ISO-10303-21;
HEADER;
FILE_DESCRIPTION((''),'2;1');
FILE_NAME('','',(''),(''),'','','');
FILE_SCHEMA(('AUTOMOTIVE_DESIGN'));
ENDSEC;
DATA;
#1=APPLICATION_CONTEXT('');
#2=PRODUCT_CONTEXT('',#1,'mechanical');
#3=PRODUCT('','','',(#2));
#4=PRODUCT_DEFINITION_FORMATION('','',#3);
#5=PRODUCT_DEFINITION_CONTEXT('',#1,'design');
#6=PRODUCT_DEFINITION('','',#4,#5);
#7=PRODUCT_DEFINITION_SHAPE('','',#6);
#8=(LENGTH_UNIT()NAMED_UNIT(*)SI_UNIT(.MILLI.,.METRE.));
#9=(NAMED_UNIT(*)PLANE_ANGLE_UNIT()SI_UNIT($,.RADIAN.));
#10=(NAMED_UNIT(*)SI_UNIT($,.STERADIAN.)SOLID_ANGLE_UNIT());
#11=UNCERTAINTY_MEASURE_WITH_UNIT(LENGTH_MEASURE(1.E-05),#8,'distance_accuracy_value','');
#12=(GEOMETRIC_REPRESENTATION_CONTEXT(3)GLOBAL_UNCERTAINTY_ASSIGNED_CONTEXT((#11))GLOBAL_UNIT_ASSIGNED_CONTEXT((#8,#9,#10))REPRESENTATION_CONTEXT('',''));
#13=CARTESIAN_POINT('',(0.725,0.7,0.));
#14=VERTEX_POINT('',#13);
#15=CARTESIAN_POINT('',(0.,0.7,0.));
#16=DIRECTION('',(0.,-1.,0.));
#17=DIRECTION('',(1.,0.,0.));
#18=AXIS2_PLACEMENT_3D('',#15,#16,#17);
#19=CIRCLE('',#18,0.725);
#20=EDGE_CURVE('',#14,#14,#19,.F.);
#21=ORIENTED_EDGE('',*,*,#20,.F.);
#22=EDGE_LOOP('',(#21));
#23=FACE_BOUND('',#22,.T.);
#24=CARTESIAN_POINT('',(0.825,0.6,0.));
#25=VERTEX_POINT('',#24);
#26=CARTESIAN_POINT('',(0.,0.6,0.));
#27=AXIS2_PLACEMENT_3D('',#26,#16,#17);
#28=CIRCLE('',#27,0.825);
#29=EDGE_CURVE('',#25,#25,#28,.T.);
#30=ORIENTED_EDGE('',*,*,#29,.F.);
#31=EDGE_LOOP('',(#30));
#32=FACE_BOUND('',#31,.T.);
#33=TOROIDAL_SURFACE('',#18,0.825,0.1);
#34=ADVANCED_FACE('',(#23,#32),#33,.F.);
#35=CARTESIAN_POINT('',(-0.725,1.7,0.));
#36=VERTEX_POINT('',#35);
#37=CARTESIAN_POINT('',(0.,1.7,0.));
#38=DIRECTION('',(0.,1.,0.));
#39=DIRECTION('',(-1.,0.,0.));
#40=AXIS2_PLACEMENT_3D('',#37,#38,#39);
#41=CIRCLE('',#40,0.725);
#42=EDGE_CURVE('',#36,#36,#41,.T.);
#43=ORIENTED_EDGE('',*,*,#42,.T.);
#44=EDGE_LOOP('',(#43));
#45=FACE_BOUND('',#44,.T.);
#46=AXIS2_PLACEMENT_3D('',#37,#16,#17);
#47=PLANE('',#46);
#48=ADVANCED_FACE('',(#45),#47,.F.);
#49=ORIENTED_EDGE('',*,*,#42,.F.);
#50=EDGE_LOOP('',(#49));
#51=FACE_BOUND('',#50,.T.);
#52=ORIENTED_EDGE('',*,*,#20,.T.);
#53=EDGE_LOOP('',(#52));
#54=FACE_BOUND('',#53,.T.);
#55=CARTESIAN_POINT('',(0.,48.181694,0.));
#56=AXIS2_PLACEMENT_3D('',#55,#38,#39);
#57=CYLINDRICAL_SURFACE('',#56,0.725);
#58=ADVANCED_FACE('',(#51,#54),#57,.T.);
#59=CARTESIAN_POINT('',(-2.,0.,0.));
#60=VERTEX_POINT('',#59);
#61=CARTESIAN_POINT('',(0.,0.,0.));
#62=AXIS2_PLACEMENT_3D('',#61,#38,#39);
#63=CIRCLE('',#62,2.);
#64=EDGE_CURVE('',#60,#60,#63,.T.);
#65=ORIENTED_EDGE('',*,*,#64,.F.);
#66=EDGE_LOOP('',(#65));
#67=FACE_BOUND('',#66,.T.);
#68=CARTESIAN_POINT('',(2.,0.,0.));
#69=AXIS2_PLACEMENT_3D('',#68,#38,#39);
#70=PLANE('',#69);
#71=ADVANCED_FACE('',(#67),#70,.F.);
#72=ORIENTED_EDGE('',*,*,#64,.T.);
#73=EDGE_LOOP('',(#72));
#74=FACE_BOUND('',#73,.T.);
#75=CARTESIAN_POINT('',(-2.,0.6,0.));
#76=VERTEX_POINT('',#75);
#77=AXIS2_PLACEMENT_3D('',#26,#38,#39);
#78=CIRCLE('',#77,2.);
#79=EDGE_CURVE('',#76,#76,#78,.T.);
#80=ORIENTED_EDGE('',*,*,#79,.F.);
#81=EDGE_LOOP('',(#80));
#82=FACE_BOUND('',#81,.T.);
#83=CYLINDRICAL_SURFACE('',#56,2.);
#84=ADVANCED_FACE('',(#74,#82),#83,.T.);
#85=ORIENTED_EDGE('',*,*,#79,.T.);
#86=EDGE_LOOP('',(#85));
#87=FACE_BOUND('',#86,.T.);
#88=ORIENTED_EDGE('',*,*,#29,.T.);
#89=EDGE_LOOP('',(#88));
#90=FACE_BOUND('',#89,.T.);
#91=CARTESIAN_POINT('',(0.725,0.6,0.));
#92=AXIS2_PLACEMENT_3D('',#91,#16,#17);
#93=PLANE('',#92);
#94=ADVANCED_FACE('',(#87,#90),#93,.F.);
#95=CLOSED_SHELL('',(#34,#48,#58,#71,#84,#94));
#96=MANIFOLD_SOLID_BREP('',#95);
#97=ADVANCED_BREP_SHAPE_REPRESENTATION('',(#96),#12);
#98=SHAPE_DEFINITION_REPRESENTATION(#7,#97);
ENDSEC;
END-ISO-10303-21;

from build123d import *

# Parameters (mm, degrees)
FILLET1_R = 0.1


with BuildPart() as part:
    # Sketch1 → Revolve1 (revolve)
    with BuildSketch(Plane.XY, mode=Mode.PRIVATE) as revolve1_sk:
        Polygon((0, 1.7), (0.725, 1.7), (0.725, 0.6), (2, 0.6), (2, 0), (0, 0), align=None)
    revolve(revolve1_sk.sketch.rotate(Axis((0, 48.181694323, 0), (0, -1, 0)), 180), axis=Axis((0, 48.181694323, 0), (0, -1, 0)))  # turned: the seam where the file's is

    # Fillet1
    fillet1_edges = [part.edges().sort_by_distance(p)[0] for p in [
        (0.725, 0.6, 0),
    ]]
    fillet(fillet1_edges, radius=FILLET1_R)


solid = part.part
